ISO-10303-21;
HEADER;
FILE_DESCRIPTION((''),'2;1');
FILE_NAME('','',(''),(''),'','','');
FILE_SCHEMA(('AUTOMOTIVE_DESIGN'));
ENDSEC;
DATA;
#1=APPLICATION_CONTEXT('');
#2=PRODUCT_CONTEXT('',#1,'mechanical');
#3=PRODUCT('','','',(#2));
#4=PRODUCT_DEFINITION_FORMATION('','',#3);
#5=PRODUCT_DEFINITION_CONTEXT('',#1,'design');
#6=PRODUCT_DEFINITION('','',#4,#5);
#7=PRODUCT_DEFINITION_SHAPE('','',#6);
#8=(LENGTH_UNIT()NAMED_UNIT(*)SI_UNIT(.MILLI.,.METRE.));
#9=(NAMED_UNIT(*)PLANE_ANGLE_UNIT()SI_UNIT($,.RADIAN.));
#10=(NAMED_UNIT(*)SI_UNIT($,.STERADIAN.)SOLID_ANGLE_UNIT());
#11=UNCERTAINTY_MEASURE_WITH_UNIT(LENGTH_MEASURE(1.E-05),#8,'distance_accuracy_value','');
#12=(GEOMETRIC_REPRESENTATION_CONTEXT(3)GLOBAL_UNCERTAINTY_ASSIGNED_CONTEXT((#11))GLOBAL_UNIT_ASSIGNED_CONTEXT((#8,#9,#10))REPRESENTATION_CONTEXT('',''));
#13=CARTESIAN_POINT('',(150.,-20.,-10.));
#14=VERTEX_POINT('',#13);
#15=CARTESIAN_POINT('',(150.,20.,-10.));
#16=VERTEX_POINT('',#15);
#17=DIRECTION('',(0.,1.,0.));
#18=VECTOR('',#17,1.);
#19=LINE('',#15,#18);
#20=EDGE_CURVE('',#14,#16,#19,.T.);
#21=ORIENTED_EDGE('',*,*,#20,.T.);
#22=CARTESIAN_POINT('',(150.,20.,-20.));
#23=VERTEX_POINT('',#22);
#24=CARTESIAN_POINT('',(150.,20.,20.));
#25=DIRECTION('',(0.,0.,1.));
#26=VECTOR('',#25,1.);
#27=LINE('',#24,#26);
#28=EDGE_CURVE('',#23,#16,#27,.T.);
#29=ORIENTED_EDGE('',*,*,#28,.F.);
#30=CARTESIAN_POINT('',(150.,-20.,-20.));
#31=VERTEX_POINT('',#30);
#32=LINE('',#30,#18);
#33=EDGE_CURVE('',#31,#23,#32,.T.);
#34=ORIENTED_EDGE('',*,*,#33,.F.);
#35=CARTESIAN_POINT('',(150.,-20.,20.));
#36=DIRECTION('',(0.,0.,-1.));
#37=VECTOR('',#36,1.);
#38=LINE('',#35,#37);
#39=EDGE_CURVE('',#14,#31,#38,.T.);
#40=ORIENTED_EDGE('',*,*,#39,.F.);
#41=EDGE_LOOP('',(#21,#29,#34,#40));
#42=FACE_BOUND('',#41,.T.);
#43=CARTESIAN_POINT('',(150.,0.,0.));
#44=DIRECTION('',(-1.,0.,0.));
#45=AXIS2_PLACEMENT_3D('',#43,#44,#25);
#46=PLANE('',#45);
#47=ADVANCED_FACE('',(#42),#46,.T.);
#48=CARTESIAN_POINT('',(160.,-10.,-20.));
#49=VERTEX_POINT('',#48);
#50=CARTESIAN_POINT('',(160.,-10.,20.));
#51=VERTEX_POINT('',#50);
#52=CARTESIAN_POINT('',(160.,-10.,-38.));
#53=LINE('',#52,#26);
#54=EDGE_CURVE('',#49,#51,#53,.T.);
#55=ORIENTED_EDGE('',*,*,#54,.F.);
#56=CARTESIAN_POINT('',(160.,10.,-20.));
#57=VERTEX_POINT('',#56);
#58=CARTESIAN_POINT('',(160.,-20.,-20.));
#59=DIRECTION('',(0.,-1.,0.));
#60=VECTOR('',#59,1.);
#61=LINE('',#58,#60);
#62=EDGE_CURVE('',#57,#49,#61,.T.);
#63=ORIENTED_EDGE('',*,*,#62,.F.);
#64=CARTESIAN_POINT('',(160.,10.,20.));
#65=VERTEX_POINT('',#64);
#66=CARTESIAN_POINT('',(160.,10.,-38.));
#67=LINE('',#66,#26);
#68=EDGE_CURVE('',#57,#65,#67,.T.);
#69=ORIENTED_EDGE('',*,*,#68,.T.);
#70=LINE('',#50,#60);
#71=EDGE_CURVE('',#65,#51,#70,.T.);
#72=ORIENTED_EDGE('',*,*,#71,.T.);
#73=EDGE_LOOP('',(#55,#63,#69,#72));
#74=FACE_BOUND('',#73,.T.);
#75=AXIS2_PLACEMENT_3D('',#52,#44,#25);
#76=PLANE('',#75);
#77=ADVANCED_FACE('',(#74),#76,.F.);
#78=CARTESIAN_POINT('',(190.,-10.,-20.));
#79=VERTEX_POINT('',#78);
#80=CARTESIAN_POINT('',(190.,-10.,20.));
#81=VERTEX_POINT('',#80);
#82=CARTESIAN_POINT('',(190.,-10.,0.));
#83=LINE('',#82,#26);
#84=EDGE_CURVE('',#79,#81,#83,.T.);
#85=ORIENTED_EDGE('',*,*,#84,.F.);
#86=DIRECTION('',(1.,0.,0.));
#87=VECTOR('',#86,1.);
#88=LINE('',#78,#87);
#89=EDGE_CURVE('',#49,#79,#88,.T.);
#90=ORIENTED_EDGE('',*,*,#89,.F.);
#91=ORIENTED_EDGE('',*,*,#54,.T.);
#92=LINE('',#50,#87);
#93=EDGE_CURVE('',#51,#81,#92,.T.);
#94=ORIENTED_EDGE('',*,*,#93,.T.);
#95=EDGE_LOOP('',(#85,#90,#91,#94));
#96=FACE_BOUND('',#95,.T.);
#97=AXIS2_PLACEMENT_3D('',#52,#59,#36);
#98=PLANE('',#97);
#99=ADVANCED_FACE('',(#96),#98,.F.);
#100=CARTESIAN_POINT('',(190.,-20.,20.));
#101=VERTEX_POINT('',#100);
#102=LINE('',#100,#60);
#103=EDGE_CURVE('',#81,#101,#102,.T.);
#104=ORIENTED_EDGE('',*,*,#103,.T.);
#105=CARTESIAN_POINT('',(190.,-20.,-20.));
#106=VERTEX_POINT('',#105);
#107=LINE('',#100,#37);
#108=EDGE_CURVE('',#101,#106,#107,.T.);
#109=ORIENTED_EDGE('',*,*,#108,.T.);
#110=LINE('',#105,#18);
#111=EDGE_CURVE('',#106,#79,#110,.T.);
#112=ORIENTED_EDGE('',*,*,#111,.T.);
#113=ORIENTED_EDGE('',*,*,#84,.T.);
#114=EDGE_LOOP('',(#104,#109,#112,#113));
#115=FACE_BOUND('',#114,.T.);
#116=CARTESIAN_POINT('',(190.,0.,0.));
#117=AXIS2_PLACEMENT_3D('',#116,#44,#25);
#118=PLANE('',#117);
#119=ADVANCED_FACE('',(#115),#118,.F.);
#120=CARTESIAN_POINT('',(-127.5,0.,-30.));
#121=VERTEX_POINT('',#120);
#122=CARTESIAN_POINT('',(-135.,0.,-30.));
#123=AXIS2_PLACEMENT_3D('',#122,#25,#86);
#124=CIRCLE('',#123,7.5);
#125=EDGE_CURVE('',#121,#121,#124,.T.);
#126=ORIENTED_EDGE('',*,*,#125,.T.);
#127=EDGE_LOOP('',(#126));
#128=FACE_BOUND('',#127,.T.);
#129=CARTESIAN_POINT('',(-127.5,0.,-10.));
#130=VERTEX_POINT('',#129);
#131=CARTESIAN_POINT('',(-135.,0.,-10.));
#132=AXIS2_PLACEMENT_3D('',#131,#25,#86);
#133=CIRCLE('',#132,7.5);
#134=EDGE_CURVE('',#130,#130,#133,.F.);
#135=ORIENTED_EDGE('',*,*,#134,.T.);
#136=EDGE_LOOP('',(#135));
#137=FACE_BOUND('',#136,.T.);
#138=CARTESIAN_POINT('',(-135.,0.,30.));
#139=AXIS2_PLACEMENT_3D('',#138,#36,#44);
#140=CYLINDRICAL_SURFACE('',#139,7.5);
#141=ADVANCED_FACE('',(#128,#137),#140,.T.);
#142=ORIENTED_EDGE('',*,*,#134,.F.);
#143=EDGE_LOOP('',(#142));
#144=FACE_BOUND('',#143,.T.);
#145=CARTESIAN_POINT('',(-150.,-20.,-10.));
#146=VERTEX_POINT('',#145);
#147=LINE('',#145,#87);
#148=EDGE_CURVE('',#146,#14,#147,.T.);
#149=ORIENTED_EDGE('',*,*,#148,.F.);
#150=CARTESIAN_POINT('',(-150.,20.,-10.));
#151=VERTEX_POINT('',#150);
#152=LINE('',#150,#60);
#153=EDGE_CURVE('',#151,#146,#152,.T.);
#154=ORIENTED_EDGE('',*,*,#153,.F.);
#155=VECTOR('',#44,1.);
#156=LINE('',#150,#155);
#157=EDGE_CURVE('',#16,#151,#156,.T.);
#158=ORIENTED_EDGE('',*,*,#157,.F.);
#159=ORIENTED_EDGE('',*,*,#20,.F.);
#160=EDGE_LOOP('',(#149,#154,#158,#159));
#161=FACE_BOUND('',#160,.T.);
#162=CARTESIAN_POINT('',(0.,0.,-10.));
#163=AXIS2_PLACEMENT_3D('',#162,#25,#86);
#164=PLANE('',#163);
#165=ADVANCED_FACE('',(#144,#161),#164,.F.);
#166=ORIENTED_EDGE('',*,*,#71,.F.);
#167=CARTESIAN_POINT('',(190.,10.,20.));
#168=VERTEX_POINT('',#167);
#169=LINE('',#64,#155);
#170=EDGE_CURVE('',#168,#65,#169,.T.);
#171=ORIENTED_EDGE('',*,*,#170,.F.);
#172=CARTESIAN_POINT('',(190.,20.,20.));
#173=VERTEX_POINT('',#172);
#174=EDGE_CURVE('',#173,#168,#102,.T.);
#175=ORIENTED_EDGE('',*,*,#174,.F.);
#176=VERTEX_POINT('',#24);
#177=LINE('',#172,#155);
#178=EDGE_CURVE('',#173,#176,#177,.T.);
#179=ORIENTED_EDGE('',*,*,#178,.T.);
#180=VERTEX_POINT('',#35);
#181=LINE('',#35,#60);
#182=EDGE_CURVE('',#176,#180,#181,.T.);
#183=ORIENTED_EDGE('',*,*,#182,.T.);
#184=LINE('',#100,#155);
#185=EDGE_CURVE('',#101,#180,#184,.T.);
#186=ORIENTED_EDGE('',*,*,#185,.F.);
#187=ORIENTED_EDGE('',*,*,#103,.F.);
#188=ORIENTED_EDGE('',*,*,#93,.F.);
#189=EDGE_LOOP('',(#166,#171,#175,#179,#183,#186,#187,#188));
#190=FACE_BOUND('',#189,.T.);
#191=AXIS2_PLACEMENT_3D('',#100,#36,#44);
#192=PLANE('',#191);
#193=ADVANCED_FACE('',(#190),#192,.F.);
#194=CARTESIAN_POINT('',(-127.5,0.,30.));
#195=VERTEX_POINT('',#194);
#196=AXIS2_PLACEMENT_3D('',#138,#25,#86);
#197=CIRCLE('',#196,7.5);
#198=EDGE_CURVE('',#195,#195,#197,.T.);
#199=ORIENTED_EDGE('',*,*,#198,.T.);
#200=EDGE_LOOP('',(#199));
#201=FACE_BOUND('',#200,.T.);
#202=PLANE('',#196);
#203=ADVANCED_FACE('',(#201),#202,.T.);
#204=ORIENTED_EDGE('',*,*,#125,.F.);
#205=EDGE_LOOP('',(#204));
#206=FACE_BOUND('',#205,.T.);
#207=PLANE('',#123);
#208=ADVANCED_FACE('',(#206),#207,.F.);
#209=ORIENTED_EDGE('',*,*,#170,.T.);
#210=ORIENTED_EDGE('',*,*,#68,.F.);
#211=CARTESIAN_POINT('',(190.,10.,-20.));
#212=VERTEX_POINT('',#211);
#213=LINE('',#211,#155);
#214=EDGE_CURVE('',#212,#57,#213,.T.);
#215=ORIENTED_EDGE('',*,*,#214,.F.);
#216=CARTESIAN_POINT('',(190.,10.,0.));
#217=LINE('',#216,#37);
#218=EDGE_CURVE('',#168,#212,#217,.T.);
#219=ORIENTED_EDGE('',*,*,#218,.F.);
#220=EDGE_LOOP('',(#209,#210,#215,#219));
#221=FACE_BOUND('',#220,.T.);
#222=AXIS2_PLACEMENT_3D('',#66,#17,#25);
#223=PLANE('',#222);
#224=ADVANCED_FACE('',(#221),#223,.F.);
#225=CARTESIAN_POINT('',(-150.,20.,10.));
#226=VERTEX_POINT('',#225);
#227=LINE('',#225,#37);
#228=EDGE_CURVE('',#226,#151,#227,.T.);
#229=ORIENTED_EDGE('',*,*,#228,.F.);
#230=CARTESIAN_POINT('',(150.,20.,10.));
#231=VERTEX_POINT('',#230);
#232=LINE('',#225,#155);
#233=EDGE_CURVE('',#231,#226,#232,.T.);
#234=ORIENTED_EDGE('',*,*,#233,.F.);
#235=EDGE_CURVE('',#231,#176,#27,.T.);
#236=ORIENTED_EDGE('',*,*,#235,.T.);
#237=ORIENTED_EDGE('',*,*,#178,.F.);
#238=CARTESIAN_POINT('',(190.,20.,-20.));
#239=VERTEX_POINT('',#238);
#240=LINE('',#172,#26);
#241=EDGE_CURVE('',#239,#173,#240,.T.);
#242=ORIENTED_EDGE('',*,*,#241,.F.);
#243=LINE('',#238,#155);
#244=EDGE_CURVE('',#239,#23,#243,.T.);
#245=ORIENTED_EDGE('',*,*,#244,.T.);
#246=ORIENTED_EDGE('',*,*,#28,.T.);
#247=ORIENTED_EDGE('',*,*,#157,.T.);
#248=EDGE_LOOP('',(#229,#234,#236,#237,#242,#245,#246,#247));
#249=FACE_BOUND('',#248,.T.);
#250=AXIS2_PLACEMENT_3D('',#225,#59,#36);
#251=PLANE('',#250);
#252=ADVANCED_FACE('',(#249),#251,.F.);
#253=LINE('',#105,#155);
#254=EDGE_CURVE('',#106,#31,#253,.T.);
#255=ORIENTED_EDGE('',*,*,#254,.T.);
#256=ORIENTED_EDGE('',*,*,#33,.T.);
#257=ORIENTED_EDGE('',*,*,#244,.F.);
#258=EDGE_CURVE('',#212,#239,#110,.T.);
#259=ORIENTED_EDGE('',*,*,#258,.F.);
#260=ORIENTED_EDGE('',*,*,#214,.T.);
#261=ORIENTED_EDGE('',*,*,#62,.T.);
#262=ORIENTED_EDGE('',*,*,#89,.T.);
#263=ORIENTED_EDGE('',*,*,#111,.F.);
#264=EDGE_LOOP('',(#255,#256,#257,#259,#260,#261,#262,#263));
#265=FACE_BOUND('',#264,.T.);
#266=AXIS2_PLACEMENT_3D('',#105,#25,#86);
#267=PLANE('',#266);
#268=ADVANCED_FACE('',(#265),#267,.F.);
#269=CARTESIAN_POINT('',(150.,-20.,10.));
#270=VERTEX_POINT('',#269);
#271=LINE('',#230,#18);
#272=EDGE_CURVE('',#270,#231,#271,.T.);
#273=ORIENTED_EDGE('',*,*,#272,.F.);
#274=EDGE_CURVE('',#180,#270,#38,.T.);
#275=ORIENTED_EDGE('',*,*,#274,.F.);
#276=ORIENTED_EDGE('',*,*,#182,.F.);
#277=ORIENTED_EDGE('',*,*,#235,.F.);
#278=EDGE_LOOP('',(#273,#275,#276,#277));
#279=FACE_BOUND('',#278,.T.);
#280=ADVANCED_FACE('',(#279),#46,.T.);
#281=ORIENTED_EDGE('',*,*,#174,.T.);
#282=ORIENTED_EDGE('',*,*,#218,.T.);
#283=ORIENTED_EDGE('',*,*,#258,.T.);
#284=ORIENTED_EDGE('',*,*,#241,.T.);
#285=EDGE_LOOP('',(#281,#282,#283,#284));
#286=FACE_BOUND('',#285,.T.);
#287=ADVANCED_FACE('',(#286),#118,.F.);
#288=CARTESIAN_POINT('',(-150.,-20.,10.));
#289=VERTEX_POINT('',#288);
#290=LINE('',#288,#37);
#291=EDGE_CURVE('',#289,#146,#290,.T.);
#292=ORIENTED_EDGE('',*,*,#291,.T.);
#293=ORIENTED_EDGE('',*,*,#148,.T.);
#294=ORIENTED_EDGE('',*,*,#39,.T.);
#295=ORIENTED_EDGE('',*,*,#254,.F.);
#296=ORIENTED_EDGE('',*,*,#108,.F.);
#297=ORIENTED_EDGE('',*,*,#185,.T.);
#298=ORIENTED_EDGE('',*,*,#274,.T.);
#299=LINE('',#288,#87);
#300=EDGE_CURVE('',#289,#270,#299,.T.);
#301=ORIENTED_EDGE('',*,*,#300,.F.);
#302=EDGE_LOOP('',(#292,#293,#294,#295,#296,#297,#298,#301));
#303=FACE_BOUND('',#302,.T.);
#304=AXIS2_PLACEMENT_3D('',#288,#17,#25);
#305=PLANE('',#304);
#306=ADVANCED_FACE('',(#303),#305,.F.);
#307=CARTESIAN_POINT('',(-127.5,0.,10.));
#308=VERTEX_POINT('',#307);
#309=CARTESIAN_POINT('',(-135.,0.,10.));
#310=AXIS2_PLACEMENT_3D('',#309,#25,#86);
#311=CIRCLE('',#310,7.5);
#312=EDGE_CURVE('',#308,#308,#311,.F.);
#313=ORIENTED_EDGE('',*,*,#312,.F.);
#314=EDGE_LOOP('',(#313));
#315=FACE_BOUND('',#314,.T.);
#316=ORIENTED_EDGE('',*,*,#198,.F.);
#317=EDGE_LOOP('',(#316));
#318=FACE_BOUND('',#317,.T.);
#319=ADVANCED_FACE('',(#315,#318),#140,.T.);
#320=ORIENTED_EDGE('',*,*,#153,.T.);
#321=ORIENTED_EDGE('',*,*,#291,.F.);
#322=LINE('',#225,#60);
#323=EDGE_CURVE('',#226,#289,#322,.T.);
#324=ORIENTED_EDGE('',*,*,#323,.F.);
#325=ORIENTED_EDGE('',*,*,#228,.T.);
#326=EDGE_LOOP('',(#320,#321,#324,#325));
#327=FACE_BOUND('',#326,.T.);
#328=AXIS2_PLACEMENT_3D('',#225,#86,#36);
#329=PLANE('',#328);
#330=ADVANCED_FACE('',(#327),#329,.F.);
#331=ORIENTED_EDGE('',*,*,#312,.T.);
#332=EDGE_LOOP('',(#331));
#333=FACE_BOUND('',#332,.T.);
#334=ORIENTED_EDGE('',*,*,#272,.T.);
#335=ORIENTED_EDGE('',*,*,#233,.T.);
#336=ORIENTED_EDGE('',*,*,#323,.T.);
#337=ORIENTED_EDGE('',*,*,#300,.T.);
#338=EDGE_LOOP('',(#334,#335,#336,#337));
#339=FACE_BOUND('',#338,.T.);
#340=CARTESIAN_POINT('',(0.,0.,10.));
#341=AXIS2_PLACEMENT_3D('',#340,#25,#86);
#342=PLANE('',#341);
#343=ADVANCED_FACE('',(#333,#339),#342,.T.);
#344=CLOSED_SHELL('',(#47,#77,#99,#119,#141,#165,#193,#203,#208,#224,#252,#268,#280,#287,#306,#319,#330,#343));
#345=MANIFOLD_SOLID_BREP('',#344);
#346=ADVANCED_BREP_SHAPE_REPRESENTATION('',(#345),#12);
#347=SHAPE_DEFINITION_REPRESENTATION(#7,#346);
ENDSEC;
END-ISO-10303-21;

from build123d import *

# Parameters (mm, degrees)
SKETCH1_W           = 300
SKETCH1_H           = 40
BOSS_EXTRUDE1_DEPTH = 10
SKETCH2_R           = 7.5
BOSS_EXTRUDE2_DEPTH = 30
SKETCH3_W           = 40
SKETCH3_H           = 40
BOSS_EXTRUDE3_DEPTH = 40
SKETCH4_W           = 60
SKETCH4_H           = 20
CUT_EXTRUDE1_DEPTH  = 58


with BuildPart() as part:
    # Sketch1 → Boss-Extrude1 (new, symmetric)
    with BuildSketch(Plane.XY):
        Rectangle(SKETCH1_W, SKETCH1_H)
    extrude(amount=BOSS_EXTRUDE1_DEPTH, both=True)

    # Sketch2 → Boss-Extrude2 (add, symmetric)
    with BuildSketch(Plane.XY):
        with Locations((-135, 0)):
            Circle(SKETCH2_R)
    extrude(amount=BOSS_EXTRUDE2_DEPTH, both=True)

    # Sketch3 → Boss-Extrude3 (add)
    with BuildSketch(Plane(origin=(150, 0, 0), x_dir=(0, 0, -1), z_dir=(1, 0, 0))):
        Rectangle(SKETCH3_W, SKETCH3_H)
    extrude(amount=BOSS_EXTRUDE3_DEPTH)

    # Sketch4 → Cut-Extrude1 (cut)
    with BuildSketch(Plane.XY.offset(20)):
        with Locations((190, 0)):
            Rectangle(SKETCH4_W, SKETCH4_H)
    extrude(amount=-CUT_EXTRUDE1_DEPTH, mode=Mode.SUBTRACT)


solid = part.part
